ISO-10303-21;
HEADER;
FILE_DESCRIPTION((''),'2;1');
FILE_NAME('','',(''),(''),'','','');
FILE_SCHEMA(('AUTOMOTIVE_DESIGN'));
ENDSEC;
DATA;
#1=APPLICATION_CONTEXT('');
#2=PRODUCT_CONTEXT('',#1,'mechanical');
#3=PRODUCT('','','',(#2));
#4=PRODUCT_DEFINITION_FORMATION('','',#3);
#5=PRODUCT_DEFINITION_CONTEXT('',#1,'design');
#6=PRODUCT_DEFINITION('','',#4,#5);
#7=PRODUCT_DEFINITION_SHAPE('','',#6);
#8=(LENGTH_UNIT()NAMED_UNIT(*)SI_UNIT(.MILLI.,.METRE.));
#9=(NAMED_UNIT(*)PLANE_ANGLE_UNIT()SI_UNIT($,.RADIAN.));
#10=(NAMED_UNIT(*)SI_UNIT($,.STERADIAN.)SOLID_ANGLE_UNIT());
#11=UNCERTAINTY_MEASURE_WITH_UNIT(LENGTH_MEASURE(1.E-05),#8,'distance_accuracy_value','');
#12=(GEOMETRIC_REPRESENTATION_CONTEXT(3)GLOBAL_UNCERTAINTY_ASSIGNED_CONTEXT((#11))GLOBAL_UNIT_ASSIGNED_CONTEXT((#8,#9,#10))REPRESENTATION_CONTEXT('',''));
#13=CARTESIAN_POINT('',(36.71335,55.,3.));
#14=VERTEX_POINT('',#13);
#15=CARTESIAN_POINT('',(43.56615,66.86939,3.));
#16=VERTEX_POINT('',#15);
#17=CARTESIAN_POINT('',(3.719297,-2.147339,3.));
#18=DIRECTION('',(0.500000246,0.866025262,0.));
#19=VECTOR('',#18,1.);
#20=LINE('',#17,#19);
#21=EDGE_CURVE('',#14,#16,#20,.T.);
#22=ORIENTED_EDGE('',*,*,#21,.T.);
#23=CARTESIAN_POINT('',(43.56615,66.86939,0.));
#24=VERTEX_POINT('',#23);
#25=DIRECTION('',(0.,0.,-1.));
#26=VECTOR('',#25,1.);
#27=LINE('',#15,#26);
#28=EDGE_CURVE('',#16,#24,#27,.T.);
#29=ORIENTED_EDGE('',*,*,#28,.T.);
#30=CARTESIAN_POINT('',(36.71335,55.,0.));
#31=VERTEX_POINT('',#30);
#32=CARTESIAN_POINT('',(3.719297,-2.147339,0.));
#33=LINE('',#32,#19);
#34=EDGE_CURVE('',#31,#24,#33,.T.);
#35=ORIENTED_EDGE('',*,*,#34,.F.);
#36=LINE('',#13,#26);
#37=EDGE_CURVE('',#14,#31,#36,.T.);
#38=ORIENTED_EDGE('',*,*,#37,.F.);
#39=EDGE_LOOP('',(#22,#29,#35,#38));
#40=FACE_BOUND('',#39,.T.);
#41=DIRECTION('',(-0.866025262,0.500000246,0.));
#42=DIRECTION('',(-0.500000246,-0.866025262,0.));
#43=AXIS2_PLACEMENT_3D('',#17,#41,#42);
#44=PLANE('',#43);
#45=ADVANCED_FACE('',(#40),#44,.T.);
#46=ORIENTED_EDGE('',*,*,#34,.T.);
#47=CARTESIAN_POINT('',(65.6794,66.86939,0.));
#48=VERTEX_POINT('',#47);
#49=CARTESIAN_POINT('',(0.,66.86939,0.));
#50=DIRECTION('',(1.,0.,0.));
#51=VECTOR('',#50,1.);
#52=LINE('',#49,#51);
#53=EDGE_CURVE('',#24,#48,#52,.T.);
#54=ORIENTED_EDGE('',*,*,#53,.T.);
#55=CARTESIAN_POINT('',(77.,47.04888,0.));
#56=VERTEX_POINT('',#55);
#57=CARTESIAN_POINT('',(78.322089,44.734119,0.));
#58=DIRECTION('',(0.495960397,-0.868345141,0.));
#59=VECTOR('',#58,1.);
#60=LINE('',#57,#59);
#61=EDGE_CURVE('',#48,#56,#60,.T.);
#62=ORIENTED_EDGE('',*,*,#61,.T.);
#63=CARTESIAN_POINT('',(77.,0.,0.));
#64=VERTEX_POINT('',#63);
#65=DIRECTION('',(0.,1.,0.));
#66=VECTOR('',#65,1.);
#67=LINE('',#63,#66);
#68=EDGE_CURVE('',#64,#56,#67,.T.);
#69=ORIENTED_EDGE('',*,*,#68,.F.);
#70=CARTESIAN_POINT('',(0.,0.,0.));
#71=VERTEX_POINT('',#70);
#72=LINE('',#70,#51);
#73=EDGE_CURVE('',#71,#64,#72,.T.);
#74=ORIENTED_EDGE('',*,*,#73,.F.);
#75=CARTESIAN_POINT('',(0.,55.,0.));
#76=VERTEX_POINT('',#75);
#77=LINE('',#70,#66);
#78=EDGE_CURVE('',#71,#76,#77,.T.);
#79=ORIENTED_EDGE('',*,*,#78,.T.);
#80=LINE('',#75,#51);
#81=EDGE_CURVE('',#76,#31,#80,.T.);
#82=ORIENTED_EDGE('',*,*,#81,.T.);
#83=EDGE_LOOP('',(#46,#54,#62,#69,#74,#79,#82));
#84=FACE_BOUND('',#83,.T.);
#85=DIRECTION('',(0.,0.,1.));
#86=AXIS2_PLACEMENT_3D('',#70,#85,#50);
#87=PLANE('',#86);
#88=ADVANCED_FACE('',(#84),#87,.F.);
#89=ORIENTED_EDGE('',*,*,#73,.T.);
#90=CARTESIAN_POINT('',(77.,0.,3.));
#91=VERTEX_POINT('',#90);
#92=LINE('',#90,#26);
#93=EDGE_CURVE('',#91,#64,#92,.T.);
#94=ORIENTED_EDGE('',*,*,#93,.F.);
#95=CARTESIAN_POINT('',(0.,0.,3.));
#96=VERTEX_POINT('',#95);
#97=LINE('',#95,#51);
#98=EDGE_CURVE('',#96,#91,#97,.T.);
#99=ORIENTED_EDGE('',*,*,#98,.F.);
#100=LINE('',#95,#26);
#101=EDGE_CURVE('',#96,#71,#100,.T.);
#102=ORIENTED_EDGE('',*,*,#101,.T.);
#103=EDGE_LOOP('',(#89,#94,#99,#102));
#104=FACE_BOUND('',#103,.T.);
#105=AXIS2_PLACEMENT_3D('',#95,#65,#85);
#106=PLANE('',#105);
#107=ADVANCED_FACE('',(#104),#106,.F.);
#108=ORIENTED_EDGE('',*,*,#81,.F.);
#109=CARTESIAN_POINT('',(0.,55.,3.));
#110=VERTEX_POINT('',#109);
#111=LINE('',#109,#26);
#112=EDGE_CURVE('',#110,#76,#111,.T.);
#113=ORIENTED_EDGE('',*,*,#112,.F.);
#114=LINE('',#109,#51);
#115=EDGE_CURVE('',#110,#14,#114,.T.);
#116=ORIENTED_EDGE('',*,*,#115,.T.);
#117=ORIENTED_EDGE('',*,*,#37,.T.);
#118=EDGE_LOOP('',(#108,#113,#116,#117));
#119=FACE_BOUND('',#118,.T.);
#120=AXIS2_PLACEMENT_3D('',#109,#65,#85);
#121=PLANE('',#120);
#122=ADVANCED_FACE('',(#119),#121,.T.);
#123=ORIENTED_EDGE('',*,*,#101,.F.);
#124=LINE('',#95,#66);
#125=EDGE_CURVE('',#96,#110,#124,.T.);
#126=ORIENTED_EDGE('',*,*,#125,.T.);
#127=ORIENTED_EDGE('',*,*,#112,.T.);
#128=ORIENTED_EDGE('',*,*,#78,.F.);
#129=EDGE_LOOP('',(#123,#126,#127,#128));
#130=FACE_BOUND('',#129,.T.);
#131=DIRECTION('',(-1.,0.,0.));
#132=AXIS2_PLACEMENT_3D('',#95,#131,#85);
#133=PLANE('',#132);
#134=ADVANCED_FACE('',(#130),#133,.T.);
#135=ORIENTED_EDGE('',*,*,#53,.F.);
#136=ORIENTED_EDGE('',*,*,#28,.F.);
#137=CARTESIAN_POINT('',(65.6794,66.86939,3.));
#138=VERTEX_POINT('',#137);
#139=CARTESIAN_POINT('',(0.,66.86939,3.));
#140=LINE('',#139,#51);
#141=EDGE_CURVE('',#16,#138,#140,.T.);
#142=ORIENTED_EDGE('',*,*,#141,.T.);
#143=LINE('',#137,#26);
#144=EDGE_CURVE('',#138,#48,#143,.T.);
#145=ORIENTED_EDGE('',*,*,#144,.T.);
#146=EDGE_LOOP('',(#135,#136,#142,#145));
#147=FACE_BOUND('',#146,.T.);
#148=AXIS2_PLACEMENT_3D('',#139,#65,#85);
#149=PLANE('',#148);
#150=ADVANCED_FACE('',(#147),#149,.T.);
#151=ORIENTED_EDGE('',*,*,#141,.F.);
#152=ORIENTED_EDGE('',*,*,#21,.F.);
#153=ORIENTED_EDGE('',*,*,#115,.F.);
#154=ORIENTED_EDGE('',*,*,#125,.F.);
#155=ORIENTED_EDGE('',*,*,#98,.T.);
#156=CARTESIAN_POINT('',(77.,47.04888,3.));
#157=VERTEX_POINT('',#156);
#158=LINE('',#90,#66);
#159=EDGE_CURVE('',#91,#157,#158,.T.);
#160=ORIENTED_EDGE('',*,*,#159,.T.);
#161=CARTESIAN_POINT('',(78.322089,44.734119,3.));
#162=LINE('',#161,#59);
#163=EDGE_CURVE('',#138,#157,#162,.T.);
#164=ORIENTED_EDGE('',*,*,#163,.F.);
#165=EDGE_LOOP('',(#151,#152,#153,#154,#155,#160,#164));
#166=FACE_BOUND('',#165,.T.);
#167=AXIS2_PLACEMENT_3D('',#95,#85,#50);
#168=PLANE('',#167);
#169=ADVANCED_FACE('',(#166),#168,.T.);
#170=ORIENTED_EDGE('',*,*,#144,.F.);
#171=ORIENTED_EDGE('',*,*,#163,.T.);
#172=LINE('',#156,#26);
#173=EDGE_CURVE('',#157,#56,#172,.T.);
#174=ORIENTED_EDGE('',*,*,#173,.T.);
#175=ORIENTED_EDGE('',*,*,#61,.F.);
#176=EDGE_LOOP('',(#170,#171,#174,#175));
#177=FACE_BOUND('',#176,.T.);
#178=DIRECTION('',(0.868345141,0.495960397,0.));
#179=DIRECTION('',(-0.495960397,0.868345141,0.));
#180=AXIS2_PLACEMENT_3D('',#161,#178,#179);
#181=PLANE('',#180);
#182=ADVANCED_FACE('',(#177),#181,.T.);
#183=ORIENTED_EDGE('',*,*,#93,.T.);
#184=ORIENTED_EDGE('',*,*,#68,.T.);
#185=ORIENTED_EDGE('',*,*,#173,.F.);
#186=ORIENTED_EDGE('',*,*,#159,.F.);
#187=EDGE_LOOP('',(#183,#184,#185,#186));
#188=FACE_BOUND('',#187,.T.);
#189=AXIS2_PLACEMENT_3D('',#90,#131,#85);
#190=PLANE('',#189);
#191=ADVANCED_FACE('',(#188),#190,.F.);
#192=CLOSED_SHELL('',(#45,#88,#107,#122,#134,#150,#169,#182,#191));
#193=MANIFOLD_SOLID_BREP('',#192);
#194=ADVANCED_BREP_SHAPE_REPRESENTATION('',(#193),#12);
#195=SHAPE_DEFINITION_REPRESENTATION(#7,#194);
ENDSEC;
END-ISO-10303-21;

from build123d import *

# Parameters (mm, degrees)
BOSS_EXTRUDE1_DEPTH = 3


with BuildPart() as part:
    # Sketch2 → Boss-Extrude1 (new body)
    with BuildSketch(Plane.XY):
        Polygon((0, 0), (77, 0), (77, 47.04888), (65.6794, 66.86939), (43.56615, 66.86939), (36.71335, 55), (0, 55), align=None)
    extrude(amount=BOSS_EXTRUDE1_DEPTH)


solid = part.part
